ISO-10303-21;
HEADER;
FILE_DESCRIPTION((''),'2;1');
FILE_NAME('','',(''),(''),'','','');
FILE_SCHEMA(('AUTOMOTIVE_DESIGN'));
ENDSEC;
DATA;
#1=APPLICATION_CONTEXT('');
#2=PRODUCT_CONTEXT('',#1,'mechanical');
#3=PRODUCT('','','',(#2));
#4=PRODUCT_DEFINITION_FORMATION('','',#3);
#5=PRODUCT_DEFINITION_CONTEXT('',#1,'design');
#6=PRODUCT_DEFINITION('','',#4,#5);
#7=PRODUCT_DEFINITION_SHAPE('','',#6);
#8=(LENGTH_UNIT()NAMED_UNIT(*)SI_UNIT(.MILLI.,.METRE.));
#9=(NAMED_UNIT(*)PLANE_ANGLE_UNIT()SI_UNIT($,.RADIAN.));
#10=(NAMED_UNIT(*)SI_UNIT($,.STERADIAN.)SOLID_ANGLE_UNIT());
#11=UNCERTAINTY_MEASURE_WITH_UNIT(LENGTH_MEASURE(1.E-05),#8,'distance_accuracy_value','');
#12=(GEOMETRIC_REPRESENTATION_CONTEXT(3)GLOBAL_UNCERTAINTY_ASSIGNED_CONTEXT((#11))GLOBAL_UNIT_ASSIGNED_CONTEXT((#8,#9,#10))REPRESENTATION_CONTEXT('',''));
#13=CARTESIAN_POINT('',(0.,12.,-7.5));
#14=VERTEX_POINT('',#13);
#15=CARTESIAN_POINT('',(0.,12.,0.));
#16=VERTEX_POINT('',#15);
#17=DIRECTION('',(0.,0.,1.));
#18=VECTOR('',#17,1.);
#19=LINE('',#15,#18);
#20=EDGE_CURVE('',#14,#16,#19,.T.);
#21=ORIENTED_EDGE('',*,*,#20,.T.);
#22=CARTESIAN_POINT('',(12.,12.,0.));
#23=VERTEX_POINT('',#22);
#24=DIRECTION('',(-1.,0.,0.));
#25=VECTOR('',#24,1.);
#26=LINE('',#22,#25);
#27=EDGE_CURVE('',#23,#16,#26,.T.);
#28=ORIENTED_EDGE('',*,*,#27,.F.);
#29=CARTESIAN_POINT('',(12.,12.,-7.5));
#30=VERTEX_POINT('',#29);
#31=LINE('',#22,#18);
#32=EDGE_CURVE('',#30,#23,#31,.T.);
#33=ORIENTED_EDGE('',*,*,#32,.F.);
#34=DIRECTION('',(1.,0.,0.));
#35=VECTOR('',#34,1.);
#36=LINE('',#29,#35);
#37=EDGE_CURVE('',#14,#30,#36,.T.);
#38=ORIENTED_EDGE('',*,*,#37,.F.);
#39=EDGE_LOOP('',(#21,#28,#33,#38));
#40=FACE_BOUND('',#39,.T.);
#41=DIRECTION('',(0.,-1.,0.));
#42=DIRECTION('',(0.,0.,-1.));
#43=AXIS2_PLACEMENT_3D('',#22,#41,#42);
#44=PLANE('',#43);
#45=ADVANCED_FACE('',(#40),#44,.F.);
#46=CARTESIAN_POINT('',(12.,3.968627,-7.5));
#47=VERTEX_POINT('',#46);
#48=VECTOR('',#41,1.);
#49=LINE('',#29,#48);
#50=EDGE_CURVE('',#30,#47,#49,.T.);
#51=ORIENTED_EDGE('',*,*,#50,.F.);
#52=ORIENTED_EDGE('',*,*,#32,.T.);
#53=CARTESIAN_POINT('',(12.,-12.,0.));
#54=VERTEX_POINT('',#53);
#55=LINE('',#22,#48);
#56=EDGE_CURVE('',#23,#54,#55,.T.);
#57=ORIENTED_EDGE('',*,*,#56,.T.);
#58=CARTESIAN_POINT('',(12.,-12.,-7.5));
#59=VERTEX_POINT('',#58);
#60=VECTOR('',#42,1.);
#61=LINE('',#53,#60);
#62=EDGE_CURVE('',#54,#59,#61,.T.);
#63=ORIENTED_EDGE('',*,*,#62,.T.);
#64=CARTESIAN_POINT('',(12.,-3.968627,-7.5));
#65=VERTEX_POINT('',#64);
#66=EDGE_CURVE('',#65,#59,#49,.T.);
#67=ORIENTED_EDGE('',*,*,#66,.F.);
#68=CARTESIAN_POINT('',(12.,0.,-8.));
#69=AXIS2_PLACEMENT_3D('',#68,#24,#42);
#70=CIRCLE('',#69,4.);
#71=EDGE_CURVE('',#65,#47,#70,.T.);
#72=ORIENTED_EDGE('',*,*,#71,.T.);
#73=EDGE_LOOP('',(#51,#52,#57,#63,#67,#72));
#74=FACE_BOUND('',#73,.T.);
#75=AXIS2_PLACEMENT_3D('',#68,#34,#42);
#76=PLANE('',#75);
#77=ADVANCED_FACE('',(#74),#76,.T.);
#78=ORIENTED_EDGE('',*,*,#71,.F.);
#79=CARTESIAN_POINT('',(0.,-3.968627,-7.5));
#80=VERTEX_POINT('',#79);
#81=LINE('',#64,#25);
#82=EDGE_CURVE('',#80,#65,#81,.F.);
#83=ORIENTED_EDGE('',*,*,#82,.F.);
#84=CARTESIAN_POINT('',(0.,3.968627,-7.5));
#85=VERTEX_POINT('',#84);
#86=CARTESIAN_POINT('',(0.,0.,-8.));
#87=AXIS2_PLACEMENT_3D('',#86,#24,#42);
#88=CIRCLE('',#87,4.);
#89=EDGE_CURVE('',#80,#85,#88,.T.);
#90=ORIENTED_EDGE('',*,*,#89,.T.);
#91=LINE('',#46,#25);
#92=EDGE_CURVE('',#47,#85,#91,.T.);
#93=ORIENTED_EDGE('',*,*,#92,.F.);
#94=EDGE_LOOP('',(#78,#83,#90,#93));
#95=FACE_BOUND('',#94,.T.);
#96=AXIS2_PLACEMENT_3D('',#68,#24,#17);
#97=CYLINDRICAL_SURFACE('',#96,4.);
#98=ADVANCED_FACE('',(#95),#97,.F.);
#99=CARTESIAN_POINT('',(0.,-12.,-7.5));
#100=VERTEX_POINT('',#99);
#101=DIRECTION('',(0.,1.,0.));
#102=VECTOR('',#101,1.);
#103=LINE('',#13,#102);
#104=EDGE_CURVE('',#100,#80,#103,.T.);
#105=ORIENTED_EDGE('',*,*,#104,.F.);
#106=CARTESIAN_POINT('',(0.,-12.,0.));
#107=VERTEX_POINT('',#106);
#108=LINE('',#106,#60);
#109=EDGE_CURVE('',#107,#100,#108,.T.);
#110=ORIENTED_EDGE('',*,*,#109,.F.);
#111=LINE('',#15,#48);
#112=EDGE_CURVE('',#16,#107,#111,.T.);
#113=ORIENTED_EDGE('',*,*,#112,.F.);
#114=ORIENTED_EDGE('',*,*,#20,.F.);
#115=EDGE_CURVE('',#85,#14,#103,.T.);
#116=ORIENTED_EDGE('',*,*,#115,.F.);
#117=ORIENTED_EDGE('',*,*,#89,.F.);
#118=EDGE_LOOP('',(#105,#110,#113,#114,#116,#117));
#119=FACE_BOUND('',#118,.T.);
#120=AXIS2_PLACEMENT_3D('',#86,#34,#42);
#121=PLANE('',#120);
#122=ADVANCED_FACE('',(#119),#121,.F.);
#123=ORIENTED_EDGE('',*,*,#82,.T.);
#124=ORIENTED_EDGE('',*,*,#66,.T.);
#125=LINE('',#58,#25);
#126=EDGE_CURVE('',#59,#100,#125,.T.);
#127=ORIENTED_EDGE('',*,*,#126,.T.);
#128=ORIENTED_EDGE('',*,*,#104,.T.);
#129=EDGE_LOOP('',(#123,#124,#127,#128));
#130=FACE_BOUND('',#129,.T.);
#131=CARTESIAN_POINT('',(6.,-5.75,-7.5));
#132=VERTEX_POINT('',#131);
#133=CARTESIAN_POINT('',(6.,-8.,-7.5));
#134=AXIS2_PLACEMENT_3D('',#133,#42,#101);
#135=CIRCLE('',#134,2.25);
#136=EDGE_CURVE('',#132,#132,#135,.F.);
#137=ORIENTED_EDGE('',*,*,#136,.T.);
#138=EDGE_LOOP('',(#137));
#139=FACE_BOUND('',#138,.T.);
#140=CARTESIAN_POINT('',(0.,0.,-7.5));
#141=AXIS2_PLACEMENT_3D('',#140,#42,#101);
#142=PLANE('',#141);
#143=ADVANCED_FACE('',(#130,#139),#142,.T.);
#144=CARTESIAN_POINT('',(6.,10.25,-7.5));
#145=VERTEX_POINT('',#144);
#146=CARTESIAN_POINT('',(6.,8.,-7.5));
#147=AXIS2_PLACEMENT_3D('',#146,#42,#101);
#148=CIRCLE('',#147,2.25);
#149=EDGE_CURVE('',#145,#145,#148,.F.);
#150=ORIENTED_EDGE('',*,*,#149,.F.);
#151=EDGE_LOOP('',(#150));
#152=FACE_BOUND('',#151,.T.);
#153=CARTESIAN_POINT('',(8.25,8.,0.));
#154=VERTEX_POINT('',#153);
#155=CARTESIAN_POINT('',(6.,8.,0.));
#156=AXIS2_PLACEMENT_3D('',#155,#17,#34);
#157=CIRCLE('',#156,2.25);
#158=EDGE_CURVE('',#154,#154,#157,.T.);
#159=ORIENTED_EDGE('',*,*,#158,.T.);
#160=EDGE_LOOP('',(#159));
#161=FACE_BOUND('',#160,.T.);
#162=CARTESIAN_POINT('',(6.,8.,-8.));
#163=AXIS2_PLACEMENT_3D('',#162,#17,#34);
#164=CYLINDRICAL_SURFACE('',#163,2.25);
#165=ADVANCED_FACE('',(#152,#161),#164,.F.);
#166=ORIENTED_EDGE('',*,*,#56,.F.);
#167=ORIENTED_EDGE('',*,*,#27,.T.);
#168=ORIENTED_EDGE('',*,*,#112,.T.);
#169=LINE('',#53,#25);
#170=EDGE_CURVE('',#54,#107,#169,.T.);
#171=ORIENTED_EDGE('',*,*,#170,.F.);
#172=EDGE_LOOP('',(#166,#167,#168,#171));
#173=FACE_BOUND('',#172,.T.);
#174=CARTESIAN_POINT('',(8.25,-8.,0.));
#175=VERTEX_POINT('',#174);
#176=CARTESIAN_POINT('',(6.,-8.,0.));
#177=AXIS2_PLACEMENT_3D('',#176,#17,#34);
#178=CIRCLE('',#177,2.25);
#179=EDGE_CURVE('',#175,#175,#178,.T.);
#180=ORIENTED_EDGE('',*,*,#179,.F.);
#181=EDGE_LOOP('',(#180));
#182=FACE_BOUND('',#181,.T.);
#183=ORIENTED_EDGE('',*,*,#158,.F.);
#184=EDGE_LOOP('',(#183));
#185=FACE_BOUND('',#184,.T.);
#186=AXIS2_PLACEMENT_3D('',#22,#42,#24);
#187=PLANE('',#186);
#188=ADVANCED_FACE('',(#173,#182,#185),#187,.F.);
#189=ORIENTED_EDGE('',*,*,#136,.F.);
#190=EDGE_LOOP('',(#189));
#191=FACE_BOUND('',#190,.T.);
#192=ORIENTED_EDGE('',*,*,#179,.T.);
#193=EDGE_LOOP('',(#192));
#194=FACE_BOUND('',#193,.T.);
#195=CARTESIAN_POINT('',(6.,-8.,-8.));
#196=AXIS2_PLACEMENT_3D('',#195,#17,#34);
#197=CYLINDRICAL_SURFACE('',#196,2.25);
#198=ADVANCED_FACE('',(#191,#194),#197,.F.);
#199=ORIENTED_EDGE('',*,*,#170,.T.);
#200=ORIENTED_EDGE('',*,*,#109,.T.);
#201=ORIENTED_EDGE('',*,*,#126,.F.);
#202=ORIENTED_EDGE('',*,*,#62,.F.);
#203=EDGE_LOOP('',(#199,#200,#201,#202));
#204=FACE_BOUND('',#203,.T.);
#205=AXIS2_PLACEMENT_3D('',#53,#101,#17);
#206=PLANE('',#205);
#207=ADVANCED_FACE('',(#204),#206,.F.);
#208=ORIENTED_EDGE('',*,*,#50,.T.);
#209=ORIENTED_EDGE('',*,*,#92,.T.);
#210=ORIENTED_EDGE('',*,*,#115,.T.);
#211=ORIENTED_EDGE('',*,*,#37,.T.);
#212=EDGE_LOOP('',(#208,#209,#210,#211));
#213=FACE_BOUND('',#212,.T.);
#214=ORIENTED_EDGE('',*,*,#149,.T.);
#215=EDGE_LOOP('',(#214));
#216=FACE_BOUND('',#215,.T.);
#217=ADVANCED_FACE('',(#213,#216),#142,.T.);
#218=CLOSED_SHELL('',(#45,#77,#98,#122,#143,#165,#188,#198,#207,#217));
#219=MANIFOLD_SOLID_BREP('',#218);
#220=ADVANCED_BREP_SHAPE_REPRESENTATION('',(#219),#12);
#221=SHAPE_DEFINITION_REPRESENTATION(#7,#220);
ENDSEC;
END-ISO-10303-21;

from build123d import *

# Parameters (mm, degrees)
BOSS_EXTRUDE1_DEPTH = 12
SKETCH2_R           = 2.25
CUT_EXTRUDE1_DEPTH  = 19.761663039
SKETCH3_W           = 12
SKETCH3_H           = 24
CUT_EXTRUDE2_DEPTH  = 0.5


with BuildPart() as part:
    # Sketch1 → Boss-Extrude1 (new body)
    with BuildSketch(Plane(origin=(0, 0, 0), x_dir=(0, 0, -1), z_dir=(1, 0, 0))):
        with BuildLine():
            Line((8, -4), (8, -12))
            Line((8, -12), (0, -12))
            Line((0, -12), (0, 12))
            Line((0, 12), (8, 12))
            Line((8, 12), (8, 4))
            ThreePointArc((8, 4), (4, 0), (8, -4))
        make_face()
    extrude(amount=BOSS_EXTRUDE1_DEPTH)

    # Sketch2 → Cut-Extrude1 (cut, through all)
    with BuildSketch(Plane.XY):
        with Locations((6, 8)):
            Circle(SKETCH2_R)
        with Locations((6, -8)):
            Circle(SKETCH2_R)
    extrude(amount=-CUT_EXTRUDE1_DEPTH, mode=Mode.SUBTRACT)

    # Sketch3 → Cut-Extrude2 (cut)
    with BuildSketch(Plane(origin=(0, 0, -8), x_dir=(-1, 0, 0), z_dir=(0, 0, -1))):
        with Locations((-6, 0)):
            Rectangle(SKETCH3_W, SKETCH3_H)
    extrude(amount=-CUT_EXTRUDE2_DEPTH, mode=Mode.SUBTRACT)


solid = part.part
